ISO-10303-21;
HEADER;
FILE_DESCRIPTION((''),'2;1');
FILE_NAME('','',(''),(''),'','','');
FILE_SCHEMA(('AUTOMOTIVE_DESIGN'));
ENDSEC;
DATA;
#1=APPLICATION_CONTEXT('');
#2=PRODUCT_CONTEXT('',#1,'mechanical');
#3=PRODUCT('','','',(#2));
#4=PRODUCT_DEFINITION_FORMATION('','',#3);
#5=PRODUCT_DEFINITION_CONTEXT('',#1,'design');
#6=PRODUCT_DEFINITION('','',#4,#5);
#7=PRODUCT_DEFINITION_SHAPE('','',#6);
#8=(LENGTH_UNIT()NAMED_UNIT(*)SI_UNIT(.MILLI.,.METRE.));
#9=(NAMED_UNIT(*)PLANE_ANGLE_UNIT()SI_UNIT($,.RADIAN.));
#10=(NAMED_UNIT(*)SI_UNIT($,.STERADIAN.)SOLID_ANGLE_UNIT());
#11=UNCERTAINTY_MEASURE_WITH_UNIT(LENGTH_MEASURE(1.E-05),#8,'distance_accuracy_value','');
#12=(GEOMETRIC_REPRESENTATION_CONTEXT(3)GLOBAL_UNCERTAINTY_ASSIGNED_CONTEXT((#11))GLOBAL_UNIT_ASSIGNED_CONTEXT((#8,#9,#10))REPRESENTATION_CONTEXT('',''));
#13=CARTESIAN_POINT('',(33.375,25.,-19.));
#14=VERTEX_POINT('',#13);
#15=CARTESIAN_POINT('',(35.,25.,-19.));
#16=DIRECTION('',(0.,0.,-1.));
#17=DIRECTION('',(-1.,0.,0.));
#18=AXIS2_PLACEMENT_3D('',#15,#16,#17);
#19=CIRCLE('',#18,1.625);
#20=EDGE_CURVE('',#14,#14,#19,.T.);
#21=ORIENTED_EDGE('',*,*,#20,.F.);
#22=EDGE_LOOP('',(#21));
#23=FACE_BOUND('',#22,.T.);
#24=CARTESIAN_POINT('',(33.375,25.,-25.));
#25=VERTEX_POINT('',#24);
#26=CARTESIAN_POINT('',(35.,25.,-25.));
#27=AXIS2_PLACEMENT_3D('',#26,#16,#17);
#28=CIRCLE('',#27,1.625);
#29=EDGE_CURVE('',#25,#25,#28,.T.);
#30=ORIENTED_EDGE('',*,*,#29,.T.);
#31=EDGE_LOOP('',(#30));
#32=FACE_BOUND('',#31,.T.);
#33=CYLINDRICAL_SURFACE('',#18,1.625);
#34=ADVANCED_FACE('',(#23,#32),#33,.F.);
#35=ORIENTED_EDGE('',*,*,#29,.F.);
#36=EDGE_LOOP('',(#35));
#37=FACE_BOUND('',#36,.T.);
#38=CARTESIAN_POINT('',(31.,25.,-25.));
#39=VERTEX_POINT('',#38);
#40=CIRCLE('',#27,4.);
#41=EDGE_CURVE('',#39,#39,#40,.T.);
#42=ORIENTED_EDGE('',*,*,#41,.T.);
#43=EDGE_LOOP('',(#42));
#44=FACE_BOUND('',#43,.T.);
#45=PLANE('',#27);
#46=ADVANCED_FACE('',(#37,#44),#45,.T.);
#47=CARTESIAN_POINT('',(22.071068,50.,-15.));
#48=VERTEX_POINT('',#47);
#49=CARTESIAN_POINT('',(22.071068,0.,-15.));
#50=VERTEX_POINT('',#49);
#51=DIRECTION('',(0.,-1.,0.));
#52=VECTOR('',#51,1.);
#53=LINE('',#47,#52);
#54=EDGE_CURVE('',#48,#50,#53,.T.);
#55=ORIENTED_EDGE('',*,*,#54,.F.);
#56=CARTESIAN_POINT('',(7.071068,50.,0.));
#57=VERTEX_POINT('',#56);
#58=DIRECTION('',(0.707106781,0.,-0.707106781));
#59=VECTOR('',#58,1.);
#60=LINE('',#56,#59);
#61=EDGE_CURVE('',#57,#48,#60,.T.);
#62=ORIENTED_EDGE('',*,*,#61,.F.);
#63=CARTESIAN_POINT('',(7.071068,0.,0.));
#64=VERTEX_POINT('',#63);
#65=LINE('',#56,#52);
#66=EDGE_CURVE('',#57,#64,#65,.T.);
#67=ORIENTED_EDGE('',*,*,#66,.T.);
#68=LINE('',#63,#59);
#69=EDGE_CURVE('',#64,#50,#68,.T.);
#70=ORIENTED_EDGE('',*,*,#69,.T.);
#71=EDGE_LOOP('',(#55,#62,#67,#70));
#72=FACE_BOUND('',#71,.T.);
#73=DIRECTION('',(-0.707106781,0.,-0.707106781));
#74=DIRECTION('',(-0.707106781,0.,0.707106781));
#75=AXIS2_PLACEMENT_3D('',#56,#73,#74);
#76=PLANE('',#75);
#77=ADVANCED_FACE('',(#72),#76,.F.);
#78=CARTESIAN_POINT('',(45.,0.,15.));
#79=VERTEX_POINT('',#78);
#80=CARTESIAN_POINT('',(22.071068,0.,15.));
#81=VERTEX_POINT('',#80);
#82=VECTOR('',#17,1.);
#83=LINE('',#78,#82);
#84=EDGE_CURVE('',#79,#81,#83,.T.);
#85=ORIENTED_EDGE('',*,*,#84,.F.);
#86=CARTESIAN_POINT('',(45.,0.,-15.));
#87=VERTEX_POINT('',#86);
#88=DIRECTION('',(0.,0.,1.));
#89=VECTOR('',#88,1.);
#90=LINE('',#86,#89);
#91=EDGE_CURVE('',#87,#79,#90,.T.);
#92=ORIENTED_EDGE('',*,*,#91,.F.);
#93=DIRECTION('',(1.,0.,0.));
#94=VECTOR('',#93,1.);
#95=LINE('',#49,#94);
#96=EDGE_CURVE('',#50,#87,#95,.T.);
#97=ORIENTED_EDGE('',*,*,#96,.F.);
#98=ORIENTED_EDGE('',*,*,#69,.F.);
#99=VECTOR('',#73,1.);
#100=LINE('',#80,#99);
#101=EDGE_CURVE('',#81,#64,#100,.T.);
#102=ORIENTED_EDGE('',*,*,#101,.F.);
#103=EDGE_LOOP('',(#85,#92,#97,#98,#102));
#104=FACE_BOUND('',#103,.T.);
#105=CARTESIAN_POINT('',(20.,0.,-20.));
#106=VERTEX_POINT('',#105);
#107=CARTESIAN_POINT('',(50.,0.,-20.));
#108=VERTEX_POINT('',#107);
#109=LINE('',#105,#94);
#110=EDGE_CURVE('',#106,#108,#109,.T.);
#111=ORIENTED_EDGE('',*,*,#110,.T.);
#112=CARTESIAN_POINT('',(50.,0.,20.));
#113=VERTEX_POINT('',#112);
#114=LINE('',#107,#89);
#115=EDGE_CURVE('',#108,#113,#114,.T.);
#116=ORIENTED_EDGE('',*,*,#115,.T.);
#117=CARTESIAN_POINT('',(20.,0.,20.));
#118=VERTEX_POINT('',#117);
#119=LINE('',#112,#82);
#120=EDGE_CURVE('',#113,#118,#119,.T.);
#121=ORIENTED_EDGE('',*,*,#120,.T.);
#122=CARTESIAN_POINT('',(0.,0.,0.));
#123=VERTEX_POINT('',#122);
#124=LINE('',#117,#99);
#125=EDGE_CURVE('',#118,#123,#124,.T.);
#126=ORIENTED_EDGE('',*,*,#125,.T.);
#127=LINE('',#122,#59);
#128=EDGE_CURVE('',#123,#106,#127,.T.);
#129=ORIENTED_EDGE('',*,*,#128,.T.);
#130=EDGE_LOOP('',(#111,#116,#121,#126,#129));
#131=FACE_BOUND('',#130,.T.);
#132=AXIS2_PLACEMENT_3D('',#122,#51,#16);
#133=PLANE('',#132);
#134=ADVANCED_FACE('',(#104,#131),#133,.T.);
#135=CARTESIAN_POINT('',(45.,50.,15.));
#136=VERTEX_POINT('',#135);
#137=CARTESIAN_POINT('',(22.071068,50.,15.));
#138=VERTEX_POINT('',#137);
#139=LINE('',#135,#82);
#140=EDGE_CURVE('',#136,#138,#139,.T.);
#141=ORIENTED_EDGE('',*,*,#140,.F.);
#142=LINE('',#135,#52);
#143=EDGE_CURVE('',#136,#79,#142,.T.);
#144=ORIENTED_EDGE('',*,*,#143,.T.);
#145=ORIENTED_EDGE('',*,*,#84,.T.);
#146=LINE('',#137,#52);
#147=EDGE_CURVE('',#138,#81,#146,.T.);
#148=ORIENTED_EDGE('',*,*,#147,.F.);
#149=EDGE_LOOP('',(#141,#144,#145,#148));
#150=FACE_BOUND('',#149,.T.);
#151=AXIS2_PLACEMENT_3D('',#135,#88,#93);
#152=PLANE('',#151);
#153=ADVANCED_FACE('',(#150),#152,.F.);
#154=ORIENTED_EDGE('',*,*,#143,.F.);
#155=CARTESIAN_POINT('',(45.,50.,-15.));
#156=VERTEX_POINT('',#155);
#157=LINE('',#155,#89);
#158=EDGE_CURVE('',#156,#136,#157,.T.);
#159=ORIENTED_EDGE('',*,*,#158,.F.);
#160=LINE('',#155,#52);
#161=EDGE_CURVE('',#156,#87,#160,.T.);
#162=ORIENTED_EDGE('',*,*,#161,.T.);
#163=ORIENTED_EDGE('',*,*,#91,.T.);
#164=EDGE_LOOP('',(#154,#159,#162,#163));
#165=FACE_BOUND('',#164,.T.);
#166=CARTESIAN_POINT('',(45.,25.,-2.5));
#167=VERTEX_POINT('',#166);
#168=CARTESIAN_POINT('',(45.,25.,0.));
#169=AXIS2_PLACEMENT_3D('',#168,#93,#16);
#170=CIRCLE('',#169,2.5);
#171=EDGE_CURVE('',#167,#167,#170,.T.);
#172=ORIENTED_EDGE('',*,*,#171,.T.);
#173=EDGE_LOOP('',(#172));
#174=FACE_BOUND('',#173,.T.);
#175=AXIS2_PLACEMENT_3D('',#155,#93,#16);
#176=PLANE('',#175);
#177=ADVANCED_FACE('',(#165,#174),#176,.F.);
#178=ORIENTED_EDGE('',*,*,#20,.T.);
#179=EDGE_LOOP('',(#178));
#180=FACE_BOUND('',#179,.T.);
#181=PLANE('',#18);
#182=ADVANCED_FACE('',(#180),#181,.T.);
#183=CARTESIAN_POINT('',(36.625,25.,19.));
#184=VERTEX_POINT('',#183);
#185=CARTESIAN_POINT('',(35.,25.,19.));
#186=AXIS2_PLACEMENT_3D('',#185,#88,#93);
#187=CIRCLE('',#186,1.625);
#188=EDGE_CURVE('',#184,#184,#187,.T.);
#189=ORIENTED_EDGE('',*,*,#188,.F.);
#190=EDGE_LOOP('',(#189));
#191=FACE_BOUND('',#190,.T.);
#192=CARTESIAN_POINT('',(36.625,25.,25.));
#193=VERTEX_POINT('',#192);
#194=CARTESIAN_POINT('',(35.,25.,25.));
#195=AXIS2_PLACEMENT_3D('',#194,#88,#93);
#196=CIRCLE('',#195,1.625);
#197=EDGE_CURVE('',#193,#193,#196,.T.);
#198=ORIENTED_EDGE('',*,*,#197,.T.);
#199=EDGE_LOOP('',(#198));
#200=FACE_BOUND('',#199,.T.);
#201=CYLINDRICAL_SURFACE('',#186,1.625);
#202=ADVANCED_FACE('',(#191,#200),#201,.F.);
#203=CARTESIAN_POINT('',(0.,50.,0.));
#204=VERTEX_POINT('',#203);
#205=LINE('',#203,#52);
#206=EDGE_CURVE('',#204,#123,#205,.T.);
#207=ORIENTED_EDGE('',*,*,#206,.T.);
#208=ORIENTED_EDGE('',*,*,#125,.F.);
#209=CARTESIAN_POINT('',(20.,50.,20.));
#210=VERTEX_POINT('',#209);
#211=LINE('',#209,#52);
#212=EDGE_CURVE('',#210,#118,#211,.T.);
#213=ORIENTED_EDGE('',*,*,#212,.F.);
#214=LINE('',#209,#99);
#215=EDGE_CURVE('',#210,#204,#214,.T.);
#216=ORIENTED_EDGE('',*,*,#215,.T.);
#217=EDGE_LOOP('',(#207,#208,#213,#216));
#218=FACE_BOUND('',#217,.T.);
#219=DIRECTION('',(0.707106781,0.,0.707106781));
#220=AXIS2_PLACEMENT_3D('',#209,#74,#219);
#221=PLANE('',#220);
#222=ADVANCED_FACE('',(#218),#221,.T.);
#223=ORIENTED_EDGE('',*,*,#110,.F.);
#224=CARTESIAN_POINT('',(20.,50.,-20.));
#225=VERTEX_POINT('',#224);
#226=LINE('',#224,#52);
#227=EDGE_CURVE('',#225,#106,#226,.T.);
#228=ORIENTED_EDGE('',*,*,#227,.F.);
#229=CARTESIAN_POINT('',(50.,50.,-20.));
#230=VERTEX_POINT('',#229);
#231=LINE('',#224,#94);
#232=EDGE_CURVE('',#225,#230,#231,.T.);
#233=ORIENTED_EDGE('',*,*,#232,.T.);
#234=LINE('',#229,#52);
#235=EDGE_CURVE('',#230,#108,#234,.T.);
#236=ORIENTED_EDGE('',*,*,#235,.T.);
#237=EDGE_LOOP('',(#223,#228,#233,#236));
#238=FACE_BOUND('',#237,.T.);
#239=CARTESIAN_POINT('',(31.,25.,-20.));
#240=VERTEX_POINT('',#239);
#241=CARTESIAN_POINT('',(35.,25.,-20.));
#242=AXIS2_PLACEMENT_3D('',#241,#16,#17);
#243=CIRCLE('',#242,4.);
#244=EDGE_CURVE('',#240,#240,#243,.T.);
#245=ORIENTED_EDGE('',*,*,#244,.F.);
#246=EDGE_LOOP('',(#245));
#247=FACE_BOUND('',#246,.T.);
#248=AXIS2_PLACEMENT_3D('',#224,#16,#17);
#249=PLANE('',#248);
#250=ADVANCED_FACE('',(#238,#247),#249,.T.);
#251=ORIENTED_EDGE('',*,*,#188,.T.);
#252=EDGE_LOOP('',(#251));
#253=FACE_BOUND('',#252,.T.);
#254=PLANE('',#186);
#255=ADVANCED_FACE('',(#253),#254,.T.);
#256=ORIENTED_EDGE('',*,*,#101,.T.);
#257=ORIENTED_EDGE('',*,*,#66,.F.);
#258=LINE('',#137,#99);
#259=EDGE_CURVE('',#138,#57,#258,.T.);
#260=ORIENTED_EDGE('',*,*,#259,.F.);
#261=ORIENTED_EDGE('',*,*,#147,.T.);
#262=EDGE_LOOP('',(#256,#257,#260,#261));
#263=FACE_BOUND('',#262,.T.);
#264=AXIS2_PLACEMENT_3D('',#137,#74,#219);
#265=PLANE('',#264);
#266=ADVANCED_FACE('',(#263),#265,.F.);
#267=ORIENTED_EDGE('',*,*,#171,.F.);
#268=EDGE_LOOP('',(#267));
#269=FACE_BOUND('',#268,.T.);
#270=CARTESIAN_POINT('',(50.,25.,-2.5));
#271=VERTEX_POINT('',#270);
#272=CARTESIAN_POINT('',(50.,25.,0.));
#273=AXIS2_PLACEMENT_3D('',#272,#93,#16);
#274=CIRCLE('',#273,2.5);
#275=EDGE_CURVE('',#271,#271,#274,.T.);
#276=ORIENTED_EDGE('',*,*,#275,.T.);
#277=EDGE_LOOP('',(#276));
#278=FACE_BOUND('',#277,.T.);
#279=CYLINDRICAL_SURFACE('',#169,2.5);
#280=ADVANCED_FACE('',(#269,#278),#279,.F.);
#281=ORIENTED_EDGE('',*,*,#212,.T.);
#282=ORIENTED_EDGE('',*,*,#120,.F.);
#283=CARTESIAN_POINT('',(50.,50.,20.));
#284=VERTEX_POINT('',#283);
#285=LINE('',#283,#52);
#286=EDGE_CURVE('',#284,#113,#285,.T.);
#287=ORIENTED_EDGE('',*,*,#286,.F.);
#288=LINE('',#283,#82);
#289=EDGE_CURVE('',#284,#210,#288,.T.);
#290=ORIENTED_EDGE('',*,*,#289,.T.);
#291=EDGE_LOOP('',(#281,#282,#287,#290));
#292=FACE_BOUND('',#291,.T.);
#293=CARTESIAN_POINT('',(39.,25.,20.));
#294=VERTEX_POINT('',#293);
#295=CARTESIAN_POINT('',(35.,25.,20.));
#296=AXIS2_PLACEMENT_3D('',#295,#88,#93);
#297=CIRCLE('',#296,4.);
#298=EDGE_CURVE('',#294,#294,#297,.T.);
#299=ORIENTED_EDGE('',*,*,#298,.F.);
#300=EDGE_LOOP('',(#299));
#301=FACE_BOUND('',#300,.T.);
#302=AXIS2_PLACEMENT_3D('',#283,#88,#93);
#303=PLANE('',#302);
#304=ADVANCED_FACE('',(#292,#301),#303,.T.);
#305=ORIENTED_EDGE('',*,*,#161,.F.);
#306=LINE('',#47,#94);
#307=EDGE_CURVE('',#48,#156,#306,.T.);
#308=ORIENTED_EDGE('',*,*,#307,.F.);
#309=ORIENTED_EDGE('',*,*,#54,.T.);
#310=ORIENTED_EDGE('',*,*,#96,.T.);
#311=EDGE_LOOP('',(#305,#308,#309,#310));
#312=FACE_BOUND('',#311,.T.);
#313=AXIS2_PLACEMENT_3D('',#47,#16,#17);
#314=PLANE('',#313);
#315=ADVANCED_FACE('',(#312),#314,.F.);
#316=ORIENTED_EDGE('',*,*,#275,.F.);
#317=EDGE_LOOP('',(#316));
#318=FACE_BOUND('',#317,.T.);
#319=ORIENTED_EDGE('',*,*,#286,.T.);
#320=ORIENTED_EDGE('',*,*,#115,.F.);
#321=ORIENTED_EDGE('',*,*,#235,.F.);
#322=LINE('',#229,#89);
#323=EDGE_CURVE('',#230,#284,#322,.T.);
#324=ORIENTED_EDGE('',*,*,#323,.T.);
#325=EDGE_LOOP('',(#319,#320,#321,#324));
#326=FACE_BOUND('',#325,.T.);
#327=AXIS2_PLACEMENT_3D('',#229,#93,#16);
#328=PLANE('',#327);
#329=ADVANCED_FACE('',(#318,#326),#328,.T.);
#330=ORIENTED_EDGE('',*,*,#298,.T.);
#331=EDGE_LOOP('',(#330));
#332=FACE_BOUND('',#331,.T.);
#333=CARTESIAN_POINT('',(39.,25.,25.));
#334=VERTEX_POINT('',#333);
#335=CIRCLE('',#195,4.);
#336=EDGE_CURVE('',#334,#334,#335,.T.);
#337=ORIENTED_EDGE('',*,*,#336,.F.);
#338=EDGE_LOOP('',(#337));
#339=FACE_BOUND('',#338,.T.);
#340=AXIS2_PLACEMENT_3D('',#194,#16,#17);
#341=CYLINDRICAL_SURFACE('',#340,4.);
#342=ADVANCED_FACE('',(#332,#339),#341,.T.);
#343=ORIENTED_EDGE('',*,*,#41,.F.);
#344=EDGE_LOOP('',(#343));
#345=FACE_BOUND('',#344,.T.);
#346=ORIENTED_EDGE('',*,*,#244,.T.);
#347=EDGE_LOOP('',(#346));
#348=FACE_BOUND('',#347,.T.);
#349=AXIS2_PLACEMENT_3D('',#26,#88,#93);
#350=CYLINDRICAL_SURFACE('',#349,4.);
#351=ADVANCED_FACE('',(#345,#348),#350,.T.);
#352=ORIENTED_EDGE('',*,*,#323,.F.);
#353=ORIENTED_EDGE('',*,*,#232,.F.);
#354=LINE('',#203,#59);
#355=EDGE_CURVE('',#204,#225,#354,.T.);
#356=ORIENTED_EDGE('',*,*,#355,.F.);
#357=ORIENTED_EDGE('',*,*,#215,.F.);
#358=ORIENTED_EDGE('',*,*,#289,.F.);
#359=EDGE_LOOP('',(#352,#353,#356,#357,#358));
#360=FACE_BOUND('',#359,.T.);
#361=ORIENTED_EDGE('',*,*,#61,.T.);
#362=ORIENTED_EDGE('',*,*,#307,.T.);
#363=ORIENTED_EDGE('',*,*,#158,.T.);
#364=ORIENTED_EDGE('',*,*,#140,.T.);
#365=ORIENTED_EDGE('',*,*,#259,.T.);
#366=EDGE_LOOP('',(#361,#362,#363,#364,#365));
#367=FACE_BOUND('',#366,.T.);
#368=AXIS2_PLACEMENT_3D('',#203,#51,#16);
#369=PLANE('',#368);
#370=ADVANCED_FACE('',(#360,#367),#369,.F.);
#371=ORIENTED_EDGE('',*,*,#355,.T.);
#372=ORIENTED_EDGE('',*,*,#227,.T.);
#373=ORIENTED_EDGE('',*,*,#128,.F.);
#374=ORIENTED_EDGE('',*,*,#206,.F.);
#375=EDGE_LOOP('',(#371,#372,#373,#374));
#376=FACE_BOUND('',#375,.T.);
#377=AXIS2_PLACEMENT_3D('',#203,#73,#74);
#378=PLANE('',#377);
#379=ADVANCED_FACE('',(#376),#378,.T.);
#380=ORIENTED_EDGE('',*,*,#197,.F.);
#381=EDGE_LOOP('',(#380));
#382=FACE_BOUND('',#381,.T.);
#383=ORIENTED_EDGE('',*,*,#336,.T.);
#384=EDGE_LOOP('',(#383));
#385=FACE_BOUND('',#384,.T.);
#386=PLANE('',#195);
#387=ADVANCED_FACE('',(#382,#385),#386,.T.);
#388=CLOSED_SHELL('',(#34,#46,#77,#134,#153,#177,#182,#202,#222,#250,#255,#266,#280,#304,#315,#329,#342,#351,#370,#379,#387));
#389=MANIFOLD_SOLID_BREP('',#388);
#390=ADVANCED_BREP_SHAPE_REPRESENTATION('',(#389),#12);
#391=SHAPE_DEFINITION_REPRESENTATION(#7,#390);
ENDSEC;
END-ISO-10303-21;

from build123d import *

# Parameters (mm, degrees)
SALIENTE_EXTRUIR1_DEPTH = 50
CROQUIS7_R              = 2.5
CORTAR_EXTRUIR1_DEPTH   = 5
CROQUIS8_R              = 4
SALIENTE_EXTRUIR2_DEPTH = 5
SALIENTE_EXTRUIR3_START = 5
CROQUIS15_R             = 4
SALIENTE_EXTRUIR3_DEPTH = 5
CROQUIS17_R             = 1.625
CORTAR_EXTRUIR4_DEPTH   = 6
CORTAR_EXTRUIR5_START   = -6
CROQUIS16_R             = 1.625
CORTAR_EXTRUIR5_DEPTH   = 6


with BuildPart() as part:
    # Croquis3 → Saliente-Extruir1 (new body)
    with BuildSketch(Plane(origin=(0, 0, 0), x_dir=(1, 0, 0), z_dir=(0, 1, 0))):
        Polygon((0, 0), (20.000000004, 20), (50.000000004, 20), (50.000000004, -20), (20.000000004, -20), align=None)
        Polygon((7.071067811, 2e-09), (22.071067819, 15), (45.000000004, 15), (45.000000004, -15), (22.071067815, -15), align=None, mode=Mode.SUBTRACT)
    extrude(amount=SALIENTE_EXTRUIR1_DEPTH)

    # Croquis7 → Cortar-Extruir1 (cut)
    with BuildSketch(Plane(origin=(50.000000004, 0, 0), x_dir=(0, 0, -1), z_dir=(1, 0, 0))):
        with Locations((0, 25)):
            Circle(CROQUIS7_R)
    extrude(amount=-CORTAR_EXTRUIR1_DEPTH, mode=Mode.SUBTRACT)

    # Croquis8 → Saliente-Extruir2 (add)
    with BuildSketch(Plane.XY.offset(20)):
        with Locations((35.000000004, 25)):
            Circle(CROQUIS8_R)
    extrude(amount=SALIENTE_EXTRUIR2_DEPTH)

    # Croquis15 → Saliente-Extruir3 (add)
    with BuildSketch(Plane(origin=(0, 0, -20), x_dir=(-1, 0, 0), z_dir=(0, 0, -1)).offset(SALIENTE_EXTRUIR3_START)):
        with Locations(Location((-35.000000004, 25, 0), (0, 0, 180))):
            Circle(CROQUIS15_R)
    extrude(amount=-SALIENTE_EXTRUIR3_DEPTH)

    # Croquis17 → Cortar-Extruir4 (cut)
    with BuildSketch(Plane.XY.offset(25)):
        with Locations((35.000000004, 25)):
            Circle(CROQUIS17_R)
    extrude(amount=-CORTAR_EXTRUIR4_DEPTH, mode=Mode.SUBTRACT)

    # Croquis16 → Cortar-Extruir5 (cut)
    with BuildSketch(Plane(origin=(0, 0, -25), x_dir=(-1, 0, 0), z_dir=(0, 0, -1)).offset(CORTAR_EXTRUIR5_START)):
        with Locations(Location((-35.000000004, 25, 0), (0, 0, 180))):
            Circle(CROQUIS16_R)
    extrude(amount=CORTAR_EXTRUIR5_DEPTH, mode=Mode.SUBTRACT)


solid = part.part
